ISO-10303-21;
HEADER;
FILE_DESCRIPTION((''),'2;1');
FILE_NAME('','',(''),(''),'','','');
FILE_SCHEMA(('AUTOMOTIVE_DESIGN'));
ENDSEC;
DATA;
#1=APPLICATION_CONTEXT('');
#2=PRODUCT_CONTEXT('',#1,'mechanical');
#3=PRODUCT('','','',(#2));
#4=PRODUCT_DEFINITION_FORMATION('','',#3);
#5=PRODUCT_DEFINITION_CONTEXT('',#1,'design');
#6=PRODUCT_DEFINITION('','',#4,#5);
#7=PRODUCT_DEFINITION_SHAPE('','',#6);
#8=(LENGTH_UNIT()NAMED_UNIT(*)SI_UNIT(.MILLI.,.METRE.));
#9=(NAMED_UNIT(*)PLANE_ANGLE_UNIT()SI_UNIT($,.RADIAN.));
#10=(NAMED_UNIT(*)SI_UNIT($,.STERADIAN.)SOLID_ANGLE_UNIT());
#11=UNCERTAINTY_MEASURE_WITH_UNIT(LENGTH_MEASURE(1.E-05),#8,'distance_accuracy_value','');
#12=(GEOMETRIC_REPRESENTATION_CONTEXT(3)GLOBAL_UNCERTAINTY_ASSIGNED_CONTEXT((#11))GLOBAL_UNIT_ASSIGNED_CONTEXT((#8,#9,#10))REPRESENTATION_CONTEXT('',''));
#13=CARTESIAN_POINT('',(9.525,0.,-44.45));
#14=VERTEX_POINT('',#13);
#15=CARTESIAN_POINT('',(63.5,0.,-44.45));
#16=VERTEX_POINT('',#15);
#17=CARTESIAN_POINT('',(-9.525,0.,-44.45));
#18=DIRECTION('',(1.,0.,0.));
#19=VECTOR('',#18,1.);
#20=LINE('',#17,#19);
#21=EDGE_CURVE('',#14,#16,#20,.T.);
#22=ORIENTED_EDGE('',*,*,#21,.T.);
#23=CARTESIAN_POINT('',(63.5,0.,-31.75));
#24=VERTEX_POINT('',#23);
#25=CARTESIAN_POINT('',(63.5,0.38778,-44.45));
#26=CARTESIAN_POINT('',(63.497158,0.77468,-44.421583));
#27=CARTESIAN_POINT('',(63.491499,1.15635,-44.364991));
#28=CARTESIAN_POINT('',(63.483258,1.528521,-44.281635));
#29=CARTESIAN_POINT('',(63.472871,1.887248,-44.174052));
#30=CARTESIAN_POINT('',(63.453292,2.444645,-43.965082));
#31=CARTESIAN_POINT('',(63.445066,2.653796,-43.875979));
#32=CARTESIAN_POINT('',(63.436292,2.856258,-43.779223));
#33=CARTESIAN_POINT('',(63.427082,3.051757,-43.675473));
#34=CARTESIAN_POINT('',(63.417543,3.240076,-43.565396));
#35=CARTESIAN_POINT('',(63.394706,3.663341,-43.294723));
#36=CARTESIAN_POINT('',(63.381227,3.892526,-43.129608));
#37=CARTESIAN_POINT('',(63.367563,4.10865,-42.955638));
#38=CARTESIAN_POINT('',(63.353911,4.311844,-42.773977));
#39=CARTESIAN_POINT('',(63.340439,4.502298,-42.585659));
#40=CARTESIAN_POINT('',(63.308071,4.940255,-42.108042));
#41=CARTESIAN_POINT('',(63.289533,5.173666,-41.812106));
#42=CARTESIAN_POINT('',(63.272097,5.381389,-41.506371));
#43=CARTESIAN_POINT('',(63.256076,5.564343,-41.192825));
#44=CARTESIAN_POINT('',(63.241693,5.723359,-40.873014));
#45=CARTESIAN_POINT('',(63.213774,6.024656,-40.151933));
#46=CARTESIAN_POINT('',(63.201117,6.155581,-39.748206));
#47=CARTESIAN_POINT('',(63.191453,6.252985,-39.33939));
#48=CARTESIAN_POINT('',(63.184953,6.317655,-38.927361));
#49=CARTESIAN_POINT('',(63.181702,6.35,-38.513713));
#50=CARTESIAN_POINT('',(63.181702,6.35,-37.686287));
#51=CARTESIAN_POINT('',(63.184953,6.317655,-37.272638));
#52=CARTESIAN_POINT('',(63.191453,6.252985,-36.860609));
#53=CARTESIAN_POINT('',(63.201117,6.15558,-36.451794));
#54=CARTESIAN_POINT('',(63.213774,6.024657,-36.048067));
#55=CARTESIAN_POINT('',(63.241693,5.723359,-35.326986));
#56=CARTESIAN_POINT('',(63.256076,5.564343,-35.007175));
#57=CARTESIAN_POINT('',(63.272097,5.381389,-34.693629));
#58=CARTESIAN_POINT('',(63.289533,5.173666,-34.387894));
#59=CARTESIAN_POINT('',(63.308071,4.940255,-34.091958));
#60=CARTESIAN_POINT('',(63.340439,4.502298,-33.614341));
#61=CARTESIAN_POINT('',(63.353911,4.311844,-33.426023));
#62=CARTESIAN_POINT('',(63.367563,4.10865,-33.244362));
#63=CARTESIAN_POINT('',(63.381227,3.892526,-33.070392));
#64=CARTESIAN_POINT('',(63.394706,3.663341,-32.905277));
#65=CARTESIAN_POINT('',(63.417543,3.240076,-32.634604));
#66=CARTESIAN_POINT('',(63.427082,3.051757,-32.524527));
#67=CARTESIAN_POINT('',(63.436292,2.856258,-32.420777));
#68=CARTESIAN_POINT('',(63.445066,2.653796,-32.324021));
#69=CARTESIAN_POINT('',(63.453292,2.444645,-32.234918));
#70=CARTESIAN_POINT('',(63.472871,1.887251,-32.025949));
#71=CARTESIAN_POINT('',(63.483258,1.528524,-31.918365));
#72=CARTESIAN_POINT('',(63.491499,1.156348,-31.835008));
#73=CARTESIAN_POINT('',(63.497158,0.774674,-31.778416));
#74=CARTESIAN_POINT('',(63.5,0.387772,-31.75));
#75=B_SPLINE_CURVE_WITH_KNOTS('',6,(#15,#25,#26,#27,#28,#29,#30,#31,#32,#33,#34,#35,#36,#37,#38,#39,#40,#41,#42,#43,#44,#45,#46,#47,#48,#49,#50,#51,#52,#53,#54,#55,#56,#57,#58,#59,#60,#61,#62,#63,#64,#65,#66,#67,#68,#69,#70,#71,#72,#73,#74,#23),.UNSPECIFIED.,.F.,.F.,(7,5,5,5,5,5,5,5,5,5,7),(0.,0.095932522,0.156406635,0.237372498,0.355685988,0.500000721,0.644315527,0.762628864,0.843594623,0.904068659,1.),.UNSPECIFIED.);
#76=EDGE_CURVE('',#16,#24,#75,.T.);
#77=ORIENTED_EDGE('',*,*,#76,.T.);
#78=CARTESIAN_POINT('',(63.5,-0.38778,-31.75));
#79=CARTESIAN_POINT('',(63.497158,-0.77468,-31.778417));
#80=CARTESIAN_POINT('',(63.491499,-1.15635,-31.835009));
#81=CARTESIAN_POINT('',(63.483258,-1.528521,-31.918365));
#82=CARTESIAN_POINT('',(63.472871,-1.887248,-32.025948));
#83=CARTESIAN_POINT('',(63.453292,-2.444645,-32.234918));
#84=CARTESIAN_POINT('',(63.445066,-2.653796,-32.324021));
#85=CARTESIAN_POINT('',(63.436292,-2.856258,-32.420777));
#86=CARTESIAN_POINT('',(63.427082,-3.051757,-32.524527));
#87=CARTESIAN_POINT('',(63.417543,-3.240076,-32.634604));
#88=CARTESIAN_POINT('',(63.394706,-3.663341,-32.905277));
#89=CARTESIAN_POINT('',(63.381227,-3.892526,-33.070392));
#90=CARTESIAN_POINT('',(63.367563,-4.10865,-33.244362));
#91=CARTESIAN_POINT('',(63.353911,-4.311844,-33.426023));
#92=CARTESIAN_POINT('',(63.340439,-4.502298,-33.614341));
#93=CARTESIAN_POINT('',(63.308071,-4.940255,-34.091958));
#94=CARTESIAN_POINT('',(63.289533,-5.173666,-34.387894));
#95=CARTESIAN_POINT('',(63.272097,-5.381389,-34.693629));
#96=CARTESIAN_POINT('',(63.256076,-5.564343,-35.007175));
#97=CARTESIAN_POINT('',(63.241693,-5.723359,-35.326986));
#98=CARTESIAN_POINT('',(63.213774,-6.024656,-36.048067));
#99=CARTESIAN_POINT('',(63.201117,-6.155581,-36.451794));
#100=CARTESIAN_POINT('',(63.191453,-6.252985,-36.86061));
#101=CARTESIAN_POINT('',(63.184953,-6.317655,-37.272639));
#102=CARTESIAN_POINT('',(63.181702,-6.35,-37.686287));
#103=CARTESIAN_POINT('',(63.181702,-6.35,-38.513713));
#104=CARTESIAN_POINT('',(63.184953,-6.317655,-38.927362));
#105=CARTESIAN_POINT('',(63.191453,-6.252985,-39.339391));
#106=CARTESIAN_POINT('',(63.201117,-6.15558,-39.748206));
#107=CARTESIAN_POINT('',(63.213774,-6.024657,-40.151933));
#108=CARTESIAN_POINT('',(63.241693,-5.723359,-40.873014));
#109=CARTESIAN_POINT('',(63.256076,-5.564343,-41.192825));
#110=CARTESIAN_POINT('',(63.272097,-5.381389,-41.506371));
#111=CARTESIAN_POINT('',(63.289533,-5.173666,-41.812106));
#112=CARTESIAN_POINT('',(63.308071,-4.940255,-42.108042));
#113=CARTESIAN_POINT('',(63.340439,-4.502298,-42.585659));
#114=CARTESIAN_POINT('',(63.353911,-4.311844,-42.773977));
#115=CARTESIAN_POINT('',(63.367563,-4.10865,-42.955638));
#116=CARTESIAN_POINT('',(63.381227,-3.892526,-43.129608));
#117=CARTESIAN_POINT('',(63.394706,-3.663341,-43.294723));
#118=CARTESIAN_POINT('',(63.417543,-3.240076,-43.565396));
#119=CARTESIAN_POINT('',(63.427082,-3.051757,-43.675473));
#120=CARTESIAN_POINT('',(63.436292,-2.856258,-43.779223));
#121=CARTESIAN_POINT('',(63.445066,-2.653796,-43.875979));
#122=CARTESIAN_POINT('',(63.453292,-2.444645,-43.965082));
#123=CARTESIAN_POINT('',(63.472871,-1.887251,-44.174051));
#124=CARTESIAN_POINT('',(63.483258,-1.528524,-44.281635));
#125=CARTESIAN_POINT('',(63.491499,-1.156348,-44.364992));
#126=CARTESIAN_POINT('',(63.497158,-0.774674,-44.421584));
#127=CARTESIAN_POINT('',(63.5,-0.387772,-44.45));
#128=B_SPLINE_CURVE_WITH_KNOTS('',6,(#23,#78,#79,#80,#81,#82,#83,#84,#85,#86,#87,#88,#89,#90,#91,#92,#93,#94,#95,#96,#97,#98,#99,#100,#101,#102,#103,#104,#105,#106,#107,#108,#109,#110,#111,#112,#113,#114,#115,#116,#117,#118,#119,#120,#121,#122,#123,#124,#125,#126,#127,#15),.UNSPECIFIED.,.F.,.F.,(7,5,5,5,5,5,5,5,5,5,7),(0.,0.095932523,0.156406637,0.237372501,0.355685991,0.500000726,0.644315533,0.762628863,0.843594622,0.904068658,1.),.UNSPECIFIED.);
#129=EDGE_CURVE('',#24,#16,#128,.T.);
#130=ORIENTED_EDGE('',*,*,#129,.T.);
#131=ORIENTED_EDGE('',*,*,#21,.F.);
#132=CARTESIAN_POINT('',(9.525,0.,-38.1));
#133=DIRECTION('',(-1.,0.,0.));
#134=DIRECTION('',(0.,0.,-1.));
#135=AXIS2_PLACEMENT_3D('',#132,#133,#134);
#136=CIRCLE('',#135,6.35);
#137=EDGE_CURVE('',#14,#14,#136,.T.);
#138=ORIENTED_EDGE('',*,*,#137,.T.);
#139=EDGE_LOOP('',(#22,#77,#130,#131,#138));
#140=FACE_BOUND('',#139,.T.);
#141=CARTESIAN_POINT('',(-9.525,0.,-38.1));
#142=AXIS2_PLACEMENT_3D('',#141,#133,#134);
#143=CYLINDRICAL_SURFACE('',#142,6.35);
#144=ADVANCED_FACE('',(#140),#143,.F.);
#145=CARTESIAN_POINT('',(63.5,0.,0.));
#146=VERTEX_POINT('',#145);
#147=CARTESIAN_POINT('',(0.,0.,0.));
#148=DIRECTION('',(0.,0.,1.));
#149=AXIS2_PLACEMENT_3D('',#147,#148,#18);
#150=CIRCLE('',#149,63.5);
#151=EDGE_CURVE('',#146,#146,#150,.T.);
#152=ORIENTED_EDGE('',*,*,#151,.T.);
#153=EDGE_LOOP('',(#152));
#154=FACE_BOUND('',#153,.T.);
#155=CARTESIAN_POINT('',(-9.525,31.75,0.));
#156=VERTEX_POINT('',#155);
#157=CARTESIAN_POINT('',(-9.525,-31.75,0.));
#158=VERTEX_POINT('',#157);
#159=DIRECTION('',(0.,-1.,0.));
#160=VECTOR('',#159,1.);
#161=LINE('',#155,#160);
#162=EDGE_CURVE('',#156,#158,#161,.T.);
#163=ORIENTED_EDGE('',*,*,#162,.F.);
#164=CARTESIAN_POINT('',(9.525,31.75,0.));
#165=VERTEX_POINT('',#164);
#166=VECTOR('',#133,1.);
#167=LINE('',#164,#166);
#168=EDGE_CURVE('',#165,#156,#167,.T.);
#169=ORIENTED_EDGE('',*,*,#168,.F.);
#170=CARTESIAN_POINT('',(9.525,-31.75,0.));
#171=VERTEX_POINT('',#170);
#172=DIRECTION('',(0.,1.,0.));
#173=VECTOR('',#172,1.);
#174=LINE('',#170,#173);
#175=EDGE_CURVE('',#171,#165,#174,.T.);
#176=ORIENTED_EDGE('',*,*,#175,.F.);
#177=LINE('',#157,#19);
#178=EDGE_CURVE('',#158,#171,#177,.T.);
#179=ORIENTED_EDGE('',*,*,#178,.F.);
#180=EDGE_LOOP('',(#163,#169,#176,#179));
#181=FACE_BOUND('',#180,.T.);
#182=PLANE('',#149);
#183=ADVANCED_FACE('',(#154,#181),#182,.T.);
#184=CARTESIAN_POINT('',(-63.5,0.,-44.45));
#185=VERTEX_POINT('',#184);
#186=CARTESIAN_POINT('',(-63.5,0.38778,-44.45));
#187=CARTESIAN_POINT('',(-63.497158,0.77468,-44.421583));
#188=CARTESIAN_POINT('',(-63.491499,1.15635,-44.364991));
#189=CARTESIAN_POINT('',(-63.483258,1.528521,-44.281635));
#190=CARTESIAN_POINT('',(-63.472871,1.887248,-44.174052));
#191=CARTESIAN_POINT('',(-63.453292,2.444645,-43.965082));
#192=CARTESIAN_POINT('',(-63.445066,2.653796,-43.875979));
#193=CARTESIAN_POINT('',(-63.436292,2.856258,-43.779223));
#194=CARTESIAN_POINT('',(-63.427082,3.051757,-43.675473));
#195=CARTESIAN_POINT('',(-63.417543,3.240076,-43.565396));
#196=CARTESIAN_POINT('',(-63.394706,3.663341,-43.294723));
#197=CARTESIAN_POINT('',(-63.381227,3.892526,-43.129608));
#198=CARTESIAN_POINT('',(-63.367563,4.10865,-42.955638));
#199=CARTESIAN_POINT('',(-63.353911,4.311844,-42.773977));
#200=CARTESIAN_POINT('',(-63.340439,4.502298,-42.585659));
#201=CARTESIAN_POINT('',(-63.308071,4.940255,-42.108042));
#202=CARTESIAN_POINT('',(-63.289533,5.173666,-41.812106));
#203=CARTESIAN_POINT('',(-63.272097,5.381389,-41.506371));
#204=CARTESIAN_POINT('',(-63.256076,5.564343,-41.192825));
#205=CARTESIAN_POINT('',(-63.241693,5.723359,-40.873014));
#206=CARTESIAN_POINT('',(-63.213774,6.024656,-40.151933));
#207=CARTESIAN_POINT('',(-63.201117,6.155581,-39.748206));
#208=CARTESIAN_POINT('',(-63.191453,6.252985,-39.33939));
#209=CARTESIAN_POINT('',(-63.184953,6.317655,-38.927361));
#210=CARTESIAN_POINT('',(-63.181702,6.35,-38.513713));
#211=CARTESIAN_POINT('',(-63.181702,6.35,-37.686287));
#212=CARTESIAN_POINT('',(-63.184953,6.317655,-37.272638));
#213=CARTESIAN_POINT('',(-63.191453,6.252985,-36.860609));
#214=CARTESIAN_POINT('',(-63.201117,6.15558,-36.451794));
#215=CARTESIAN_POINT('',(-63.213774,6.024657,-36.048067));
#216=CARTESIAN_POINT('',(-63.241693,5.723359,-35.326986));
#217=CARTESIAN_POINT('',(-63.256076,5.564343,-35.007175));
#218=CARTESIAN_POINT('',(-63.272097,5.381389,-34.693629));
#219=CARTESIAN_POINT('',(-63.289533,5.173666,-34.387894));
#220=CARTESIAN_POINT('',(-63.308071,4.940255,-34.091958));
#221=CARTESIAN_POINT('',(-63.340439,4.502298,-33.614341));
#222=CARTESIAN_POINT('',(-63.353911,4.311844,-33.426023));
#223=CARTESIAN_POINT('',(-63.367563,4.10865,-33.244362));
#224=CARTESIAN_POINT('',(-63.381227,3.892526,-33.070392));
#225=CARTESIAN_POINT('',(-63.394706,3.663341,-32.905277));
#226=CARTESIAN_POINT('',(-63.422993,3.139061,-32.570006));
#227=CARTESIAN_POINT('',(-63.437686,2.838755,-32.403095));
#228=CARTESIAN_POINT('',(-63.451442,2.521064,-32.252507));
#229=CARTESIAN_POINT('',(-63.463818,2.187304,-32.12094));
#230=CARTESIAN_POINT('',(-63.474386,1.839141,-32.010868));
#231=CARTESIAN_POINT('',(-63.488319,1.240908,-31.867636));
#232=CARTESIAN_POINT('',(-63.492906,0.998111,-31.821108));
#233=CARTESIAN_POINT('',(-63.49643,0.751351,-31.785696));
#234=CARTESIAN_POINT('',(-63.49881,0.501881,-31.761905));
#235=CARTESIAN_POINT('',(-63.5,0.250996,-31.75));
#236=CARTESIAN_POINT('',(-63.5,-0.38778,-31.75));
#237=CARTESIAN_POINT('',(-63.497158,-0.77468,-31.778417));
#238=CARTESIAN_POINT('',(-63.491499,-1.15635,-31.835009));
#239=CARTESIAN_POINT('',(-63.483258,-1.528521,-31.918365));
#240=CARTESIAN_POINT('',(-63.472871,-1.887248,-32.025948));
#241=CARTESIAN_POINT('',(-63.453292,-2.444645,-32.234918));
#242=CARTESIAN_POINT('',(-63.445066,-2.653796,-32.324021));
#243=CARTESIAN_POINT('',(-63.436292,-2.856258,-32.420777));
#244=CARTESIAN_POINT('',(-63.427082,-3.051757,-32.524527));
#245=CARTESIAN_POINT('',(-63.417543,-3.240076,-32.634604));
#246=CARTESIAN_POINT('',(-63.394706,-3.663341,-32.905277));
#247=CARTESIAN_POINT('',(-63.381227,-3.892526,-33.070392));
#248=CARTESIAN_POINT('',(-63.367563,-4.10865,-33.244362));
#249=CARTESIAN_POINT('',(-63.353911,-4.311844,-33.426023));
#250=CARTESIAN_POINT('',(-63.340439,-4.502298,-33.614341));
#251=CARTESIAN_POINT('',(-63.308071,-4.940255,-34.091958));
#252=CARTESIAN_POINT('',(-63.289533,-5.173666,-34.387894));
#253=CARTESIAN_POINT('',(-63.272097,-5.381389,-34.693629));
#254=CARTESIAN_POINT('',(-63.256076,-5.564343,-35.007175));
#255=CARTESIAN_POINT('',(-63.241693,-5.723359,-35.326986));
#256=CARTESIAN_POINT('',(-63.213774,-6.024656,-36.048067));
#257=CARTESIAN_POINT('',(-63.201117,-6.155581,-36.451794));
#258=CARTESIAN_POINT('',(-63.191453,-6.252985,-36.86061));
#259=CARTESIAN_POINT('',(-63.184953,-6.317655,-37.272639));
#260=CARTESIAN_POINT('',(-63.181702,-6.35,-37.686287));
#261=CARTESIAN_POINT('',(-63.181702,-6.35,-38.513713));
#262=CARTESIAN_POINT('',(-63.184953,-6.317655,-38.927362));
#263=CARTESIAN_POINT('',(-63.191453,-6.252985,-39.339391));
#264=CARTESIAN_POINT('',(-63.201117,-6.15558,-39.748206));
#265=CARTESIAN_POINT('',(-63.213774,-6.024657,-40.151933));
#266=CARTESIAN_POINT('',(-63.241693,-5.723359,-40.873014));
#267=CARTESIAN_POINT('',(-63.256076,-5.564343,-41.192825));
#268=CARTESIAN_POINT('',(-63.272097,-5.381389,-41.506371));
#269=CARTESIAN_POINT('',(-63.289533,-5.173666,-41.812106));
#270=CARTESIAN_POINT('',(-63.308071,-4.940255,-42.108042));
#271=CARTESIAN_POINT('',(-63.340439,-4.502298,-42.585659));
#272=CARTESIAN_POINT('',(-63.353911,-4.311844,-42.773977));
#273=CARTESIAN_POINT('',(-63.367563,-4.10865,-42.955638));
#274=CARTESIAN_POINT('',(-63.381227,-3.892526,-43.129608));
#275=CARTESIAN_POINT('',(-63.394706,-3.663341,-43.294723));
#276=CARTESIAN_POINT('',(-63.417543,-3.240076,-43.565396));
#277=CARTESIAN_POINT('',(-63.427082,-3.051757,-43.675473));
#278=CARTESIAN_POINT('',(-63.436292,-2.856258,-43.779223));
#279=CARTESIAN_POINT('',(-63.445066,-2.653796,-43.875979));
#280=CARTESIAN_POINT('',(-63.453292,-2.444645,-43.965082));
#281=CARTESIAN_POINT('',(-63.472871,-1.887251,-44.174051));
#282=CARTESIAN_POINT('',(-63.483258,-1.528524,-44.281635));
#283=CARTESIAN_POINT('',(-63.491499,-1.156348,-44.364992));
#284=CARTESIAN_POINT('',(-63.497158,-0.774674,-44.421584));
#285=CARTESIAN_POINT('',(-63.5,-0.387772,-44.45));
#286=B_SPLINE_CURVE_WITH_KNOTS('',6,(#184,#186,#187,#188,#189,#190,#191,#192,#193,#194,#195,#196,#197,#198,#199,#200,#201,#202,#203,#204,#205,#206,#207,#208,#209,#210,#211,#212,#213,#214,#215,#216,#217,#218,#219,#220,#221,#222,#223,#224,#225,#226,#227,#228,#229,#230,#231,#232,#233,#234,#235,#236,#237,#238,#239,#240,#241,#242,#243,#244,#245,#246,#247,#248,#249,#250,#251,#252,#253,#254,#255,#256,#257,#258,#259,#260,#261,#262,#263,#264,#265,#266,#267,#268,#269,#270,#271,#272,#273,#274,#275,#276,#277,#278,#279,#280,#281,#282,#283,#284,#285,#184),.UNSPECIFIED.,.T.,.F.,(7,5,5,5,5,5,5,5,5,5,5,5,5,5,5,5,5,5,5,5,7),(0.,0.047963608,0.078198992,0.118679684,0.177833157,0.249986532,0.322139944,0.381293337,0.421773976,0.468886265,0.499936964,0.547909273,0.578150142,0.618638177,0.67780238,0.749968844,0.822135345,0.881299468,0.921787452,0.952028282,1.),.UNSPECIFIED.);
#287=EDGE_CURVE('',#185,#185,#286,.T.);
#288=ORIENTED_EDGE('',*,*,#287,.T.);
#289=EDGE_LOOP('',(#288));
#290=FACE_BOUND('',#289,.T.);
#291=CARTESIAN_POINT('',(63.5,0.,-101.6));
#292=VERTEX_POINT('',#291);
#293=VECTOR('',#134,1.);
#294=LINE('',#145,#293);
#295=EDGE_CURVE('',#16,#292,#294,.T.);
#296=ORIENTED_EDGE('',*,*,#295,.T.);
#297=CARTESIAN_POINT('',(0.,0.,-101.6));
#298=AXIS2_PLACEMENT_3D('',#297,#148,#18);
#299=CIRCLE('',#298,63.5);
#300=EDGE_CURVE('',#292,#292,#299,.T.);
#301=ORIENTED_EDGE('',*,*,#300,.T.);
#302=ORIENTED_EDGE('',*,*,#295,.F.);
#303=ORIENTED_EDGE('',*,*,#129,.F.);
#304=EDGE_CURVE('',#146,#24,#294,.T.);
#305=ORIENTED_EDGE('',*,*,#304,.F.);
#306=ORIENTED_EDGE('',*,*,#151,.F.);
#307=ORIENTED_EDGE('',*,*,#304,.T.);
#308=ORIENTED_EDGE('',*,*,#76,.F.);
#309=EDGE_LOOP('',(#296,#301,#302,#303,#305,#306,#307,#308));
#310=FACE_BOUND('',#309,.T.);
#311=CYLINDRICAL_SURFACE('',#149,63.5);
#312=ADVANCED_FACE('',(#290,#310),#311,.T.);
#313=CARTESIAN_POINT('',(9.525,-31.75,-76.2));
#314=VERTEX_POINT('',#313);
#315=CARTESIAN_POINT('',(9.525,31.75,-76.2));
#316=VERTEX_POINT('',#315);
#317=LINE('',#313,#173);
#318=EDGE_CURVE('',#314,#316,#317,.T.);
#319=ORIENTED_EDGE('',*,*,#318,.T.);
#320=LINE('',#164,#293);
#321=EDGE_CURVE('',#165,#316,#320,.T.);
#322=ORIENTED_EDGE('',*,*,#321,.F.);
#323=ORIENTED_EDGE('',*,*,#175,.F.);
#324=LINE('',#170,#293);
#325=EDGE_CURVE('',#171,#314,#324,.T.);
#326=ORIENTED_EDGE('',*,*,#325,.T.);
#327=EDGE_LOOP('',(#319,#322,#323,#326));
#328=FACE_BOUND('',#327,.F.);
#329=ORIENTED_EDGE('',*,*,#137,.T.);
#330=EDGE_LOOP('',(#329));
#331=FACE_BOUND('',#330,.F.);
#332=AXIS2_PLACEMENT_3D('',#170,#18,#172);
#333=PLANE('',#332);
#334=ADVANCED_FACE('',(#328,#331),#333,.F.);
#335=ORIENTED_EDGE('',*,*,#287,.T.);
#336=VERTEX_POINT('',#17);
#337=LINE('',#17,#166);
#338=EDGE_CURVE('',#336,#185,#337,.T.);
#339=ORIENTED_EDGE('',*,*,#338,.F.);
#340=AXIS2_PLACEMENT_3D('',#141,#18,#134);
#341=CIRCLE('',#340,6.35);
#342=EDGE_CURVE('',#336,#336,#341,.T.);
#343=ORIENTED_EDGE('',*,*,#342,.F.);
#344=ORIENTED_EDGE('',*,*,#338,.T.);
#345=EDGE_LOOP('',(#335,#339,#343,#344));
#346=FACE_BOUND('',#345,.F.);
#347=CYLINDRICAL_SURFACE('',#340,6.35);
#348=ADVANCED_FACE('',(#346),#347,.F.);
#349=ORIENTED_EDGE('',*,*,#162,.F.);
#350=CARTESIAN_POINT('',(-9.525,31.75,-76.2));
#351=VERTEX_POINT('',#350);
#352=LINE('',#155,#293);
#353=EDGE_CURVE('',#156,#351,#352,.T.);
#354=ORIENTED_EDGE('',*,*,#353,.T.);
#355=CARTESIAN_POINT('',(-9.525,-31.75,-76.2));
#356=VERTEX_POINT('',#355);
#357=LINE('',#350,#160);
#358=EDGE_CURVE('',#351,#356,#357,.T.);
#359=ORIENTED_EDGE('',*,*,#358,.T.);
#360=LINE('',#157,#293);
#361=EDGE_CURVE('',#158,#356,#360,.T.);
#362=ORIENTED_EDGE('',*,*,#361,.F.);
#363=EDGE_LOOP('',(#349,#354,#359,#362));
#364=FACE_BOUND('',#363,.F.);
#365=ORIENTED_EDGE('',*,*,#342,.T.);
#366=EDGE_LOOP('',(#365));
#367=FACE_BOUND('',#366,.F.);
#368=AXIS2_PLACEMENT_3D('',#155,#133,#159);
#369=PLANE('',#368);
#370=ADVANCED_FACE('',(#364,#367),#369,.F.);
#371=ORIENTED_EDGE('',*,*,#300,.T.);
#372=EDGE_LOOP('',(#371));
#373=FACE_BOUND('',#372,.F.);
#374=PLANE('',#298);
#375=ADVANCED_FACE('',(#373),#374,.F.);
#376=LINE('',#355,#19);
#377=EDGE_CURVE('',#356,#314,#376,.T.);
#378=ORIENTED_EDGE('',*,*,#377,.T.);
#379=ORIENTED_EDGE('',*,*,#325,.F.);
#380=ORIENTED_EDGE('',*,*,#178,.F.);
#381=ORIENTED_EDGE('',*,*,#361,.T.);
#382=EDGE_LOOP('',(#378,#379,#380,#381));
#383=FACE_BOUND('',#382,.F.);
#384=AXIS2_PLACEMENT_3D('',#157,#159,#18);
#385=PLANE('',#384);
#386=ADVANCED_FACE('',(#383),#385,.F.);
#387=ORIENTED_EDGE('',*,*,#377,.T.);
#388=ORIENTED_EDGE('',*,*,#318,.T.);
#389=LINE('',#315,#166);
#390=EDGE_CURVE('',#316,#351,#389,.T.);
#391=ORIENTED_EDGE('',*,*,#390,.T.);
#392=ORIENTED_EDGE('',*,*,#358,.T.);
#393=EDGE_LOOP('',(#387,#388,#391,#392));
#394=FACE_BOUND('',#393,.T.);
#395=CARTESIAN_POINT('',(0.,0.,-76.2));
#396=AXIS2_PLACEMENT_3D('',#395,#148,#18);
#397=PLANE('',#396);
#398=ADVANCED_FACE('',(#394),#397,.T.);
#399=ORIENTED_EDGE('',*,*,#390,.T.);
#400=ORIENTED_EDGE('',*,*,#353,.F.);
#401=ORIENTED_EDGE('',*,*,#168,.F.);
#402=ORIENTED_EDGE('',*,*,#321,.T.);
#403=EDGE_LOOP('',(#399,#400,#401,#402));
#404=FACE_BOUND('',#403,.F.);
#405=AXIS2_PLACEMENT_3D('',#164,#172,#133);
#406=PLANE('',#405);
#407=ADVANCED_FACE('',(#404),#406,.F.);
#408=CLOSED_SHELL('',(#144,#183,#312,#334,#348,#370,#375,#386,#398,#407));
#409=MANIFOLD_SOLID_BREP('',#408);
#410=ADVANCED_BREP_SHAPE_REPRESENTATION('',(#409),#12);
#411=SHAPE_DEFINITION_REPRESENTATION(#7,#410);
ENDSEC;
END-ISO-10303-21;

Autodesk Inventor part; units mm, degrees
ref_plane "YZ Plane" through (0, 0, 0) normal (1, 0, 0) x (0, 1, 0)
ref_plane "XZ Plane" through (0, 0, 0) normal (0, 1, 0) x (-1, 0, 0)
ref_plane "XY Plane" through (0, 0, 0) normal (0, 0, 1) x (1, 0, 0)
sketch "Sketch1" plane through (0, 0, 0) normal (0, 0, 1) x (1, 0, 0)
  circle A0 centre (0, 0) radius 63.5
  dimension "d0" = 127
extrude "Extrusion1" add sketch "Sketch1" against normal blind 101.6
sketch "Sketch2" plane through (0, 0, 0) normal (0, 0, 1) x (1, 0, 0)
  line L0 (-9.525, -31.75) -> (9.525, -31.75)
  line L1 (9.525, -31.75) -> (9.525, 31.75)
  line L2 (9.525, 31.75) -> (-9.525, 31.75)
  line L3 (-9.525, 31.75) -> (-9.525, -31.75)
  line L4 (-9.525, -31.75) -> (9.525, 31.75) construction
  line L5 (9.525, -31.75) -> (-9.525, 31.75) construction
  point P0 (0, 0)
  dimension "d3" = 63.5
  dimension "d4" = 19.05
extrude "Extrusion2" cut sketch "Sketch2" against normal blind 76.2
sketch "Sketch3" plane through (-9.525, -31.75, 0) normal (1, 0, 0) x (0, 0, -1)
  circle A0 centre (38.1, 31.75) radius 6.35
  line L0 (0, 0) -> (76.2, 0) projected
  line L1 (0, 0) -> (0, 63.5) projected
  point P0 (0, 31.75)
  dimension "d7" = 12.7
  dimension "d8" = 31.75
  dimension "d9" = 38.1
extrude "Extrusion3" cut sketch "Sketch3" along normal through all both and the other way through all
properties part number "CS-Slider"
